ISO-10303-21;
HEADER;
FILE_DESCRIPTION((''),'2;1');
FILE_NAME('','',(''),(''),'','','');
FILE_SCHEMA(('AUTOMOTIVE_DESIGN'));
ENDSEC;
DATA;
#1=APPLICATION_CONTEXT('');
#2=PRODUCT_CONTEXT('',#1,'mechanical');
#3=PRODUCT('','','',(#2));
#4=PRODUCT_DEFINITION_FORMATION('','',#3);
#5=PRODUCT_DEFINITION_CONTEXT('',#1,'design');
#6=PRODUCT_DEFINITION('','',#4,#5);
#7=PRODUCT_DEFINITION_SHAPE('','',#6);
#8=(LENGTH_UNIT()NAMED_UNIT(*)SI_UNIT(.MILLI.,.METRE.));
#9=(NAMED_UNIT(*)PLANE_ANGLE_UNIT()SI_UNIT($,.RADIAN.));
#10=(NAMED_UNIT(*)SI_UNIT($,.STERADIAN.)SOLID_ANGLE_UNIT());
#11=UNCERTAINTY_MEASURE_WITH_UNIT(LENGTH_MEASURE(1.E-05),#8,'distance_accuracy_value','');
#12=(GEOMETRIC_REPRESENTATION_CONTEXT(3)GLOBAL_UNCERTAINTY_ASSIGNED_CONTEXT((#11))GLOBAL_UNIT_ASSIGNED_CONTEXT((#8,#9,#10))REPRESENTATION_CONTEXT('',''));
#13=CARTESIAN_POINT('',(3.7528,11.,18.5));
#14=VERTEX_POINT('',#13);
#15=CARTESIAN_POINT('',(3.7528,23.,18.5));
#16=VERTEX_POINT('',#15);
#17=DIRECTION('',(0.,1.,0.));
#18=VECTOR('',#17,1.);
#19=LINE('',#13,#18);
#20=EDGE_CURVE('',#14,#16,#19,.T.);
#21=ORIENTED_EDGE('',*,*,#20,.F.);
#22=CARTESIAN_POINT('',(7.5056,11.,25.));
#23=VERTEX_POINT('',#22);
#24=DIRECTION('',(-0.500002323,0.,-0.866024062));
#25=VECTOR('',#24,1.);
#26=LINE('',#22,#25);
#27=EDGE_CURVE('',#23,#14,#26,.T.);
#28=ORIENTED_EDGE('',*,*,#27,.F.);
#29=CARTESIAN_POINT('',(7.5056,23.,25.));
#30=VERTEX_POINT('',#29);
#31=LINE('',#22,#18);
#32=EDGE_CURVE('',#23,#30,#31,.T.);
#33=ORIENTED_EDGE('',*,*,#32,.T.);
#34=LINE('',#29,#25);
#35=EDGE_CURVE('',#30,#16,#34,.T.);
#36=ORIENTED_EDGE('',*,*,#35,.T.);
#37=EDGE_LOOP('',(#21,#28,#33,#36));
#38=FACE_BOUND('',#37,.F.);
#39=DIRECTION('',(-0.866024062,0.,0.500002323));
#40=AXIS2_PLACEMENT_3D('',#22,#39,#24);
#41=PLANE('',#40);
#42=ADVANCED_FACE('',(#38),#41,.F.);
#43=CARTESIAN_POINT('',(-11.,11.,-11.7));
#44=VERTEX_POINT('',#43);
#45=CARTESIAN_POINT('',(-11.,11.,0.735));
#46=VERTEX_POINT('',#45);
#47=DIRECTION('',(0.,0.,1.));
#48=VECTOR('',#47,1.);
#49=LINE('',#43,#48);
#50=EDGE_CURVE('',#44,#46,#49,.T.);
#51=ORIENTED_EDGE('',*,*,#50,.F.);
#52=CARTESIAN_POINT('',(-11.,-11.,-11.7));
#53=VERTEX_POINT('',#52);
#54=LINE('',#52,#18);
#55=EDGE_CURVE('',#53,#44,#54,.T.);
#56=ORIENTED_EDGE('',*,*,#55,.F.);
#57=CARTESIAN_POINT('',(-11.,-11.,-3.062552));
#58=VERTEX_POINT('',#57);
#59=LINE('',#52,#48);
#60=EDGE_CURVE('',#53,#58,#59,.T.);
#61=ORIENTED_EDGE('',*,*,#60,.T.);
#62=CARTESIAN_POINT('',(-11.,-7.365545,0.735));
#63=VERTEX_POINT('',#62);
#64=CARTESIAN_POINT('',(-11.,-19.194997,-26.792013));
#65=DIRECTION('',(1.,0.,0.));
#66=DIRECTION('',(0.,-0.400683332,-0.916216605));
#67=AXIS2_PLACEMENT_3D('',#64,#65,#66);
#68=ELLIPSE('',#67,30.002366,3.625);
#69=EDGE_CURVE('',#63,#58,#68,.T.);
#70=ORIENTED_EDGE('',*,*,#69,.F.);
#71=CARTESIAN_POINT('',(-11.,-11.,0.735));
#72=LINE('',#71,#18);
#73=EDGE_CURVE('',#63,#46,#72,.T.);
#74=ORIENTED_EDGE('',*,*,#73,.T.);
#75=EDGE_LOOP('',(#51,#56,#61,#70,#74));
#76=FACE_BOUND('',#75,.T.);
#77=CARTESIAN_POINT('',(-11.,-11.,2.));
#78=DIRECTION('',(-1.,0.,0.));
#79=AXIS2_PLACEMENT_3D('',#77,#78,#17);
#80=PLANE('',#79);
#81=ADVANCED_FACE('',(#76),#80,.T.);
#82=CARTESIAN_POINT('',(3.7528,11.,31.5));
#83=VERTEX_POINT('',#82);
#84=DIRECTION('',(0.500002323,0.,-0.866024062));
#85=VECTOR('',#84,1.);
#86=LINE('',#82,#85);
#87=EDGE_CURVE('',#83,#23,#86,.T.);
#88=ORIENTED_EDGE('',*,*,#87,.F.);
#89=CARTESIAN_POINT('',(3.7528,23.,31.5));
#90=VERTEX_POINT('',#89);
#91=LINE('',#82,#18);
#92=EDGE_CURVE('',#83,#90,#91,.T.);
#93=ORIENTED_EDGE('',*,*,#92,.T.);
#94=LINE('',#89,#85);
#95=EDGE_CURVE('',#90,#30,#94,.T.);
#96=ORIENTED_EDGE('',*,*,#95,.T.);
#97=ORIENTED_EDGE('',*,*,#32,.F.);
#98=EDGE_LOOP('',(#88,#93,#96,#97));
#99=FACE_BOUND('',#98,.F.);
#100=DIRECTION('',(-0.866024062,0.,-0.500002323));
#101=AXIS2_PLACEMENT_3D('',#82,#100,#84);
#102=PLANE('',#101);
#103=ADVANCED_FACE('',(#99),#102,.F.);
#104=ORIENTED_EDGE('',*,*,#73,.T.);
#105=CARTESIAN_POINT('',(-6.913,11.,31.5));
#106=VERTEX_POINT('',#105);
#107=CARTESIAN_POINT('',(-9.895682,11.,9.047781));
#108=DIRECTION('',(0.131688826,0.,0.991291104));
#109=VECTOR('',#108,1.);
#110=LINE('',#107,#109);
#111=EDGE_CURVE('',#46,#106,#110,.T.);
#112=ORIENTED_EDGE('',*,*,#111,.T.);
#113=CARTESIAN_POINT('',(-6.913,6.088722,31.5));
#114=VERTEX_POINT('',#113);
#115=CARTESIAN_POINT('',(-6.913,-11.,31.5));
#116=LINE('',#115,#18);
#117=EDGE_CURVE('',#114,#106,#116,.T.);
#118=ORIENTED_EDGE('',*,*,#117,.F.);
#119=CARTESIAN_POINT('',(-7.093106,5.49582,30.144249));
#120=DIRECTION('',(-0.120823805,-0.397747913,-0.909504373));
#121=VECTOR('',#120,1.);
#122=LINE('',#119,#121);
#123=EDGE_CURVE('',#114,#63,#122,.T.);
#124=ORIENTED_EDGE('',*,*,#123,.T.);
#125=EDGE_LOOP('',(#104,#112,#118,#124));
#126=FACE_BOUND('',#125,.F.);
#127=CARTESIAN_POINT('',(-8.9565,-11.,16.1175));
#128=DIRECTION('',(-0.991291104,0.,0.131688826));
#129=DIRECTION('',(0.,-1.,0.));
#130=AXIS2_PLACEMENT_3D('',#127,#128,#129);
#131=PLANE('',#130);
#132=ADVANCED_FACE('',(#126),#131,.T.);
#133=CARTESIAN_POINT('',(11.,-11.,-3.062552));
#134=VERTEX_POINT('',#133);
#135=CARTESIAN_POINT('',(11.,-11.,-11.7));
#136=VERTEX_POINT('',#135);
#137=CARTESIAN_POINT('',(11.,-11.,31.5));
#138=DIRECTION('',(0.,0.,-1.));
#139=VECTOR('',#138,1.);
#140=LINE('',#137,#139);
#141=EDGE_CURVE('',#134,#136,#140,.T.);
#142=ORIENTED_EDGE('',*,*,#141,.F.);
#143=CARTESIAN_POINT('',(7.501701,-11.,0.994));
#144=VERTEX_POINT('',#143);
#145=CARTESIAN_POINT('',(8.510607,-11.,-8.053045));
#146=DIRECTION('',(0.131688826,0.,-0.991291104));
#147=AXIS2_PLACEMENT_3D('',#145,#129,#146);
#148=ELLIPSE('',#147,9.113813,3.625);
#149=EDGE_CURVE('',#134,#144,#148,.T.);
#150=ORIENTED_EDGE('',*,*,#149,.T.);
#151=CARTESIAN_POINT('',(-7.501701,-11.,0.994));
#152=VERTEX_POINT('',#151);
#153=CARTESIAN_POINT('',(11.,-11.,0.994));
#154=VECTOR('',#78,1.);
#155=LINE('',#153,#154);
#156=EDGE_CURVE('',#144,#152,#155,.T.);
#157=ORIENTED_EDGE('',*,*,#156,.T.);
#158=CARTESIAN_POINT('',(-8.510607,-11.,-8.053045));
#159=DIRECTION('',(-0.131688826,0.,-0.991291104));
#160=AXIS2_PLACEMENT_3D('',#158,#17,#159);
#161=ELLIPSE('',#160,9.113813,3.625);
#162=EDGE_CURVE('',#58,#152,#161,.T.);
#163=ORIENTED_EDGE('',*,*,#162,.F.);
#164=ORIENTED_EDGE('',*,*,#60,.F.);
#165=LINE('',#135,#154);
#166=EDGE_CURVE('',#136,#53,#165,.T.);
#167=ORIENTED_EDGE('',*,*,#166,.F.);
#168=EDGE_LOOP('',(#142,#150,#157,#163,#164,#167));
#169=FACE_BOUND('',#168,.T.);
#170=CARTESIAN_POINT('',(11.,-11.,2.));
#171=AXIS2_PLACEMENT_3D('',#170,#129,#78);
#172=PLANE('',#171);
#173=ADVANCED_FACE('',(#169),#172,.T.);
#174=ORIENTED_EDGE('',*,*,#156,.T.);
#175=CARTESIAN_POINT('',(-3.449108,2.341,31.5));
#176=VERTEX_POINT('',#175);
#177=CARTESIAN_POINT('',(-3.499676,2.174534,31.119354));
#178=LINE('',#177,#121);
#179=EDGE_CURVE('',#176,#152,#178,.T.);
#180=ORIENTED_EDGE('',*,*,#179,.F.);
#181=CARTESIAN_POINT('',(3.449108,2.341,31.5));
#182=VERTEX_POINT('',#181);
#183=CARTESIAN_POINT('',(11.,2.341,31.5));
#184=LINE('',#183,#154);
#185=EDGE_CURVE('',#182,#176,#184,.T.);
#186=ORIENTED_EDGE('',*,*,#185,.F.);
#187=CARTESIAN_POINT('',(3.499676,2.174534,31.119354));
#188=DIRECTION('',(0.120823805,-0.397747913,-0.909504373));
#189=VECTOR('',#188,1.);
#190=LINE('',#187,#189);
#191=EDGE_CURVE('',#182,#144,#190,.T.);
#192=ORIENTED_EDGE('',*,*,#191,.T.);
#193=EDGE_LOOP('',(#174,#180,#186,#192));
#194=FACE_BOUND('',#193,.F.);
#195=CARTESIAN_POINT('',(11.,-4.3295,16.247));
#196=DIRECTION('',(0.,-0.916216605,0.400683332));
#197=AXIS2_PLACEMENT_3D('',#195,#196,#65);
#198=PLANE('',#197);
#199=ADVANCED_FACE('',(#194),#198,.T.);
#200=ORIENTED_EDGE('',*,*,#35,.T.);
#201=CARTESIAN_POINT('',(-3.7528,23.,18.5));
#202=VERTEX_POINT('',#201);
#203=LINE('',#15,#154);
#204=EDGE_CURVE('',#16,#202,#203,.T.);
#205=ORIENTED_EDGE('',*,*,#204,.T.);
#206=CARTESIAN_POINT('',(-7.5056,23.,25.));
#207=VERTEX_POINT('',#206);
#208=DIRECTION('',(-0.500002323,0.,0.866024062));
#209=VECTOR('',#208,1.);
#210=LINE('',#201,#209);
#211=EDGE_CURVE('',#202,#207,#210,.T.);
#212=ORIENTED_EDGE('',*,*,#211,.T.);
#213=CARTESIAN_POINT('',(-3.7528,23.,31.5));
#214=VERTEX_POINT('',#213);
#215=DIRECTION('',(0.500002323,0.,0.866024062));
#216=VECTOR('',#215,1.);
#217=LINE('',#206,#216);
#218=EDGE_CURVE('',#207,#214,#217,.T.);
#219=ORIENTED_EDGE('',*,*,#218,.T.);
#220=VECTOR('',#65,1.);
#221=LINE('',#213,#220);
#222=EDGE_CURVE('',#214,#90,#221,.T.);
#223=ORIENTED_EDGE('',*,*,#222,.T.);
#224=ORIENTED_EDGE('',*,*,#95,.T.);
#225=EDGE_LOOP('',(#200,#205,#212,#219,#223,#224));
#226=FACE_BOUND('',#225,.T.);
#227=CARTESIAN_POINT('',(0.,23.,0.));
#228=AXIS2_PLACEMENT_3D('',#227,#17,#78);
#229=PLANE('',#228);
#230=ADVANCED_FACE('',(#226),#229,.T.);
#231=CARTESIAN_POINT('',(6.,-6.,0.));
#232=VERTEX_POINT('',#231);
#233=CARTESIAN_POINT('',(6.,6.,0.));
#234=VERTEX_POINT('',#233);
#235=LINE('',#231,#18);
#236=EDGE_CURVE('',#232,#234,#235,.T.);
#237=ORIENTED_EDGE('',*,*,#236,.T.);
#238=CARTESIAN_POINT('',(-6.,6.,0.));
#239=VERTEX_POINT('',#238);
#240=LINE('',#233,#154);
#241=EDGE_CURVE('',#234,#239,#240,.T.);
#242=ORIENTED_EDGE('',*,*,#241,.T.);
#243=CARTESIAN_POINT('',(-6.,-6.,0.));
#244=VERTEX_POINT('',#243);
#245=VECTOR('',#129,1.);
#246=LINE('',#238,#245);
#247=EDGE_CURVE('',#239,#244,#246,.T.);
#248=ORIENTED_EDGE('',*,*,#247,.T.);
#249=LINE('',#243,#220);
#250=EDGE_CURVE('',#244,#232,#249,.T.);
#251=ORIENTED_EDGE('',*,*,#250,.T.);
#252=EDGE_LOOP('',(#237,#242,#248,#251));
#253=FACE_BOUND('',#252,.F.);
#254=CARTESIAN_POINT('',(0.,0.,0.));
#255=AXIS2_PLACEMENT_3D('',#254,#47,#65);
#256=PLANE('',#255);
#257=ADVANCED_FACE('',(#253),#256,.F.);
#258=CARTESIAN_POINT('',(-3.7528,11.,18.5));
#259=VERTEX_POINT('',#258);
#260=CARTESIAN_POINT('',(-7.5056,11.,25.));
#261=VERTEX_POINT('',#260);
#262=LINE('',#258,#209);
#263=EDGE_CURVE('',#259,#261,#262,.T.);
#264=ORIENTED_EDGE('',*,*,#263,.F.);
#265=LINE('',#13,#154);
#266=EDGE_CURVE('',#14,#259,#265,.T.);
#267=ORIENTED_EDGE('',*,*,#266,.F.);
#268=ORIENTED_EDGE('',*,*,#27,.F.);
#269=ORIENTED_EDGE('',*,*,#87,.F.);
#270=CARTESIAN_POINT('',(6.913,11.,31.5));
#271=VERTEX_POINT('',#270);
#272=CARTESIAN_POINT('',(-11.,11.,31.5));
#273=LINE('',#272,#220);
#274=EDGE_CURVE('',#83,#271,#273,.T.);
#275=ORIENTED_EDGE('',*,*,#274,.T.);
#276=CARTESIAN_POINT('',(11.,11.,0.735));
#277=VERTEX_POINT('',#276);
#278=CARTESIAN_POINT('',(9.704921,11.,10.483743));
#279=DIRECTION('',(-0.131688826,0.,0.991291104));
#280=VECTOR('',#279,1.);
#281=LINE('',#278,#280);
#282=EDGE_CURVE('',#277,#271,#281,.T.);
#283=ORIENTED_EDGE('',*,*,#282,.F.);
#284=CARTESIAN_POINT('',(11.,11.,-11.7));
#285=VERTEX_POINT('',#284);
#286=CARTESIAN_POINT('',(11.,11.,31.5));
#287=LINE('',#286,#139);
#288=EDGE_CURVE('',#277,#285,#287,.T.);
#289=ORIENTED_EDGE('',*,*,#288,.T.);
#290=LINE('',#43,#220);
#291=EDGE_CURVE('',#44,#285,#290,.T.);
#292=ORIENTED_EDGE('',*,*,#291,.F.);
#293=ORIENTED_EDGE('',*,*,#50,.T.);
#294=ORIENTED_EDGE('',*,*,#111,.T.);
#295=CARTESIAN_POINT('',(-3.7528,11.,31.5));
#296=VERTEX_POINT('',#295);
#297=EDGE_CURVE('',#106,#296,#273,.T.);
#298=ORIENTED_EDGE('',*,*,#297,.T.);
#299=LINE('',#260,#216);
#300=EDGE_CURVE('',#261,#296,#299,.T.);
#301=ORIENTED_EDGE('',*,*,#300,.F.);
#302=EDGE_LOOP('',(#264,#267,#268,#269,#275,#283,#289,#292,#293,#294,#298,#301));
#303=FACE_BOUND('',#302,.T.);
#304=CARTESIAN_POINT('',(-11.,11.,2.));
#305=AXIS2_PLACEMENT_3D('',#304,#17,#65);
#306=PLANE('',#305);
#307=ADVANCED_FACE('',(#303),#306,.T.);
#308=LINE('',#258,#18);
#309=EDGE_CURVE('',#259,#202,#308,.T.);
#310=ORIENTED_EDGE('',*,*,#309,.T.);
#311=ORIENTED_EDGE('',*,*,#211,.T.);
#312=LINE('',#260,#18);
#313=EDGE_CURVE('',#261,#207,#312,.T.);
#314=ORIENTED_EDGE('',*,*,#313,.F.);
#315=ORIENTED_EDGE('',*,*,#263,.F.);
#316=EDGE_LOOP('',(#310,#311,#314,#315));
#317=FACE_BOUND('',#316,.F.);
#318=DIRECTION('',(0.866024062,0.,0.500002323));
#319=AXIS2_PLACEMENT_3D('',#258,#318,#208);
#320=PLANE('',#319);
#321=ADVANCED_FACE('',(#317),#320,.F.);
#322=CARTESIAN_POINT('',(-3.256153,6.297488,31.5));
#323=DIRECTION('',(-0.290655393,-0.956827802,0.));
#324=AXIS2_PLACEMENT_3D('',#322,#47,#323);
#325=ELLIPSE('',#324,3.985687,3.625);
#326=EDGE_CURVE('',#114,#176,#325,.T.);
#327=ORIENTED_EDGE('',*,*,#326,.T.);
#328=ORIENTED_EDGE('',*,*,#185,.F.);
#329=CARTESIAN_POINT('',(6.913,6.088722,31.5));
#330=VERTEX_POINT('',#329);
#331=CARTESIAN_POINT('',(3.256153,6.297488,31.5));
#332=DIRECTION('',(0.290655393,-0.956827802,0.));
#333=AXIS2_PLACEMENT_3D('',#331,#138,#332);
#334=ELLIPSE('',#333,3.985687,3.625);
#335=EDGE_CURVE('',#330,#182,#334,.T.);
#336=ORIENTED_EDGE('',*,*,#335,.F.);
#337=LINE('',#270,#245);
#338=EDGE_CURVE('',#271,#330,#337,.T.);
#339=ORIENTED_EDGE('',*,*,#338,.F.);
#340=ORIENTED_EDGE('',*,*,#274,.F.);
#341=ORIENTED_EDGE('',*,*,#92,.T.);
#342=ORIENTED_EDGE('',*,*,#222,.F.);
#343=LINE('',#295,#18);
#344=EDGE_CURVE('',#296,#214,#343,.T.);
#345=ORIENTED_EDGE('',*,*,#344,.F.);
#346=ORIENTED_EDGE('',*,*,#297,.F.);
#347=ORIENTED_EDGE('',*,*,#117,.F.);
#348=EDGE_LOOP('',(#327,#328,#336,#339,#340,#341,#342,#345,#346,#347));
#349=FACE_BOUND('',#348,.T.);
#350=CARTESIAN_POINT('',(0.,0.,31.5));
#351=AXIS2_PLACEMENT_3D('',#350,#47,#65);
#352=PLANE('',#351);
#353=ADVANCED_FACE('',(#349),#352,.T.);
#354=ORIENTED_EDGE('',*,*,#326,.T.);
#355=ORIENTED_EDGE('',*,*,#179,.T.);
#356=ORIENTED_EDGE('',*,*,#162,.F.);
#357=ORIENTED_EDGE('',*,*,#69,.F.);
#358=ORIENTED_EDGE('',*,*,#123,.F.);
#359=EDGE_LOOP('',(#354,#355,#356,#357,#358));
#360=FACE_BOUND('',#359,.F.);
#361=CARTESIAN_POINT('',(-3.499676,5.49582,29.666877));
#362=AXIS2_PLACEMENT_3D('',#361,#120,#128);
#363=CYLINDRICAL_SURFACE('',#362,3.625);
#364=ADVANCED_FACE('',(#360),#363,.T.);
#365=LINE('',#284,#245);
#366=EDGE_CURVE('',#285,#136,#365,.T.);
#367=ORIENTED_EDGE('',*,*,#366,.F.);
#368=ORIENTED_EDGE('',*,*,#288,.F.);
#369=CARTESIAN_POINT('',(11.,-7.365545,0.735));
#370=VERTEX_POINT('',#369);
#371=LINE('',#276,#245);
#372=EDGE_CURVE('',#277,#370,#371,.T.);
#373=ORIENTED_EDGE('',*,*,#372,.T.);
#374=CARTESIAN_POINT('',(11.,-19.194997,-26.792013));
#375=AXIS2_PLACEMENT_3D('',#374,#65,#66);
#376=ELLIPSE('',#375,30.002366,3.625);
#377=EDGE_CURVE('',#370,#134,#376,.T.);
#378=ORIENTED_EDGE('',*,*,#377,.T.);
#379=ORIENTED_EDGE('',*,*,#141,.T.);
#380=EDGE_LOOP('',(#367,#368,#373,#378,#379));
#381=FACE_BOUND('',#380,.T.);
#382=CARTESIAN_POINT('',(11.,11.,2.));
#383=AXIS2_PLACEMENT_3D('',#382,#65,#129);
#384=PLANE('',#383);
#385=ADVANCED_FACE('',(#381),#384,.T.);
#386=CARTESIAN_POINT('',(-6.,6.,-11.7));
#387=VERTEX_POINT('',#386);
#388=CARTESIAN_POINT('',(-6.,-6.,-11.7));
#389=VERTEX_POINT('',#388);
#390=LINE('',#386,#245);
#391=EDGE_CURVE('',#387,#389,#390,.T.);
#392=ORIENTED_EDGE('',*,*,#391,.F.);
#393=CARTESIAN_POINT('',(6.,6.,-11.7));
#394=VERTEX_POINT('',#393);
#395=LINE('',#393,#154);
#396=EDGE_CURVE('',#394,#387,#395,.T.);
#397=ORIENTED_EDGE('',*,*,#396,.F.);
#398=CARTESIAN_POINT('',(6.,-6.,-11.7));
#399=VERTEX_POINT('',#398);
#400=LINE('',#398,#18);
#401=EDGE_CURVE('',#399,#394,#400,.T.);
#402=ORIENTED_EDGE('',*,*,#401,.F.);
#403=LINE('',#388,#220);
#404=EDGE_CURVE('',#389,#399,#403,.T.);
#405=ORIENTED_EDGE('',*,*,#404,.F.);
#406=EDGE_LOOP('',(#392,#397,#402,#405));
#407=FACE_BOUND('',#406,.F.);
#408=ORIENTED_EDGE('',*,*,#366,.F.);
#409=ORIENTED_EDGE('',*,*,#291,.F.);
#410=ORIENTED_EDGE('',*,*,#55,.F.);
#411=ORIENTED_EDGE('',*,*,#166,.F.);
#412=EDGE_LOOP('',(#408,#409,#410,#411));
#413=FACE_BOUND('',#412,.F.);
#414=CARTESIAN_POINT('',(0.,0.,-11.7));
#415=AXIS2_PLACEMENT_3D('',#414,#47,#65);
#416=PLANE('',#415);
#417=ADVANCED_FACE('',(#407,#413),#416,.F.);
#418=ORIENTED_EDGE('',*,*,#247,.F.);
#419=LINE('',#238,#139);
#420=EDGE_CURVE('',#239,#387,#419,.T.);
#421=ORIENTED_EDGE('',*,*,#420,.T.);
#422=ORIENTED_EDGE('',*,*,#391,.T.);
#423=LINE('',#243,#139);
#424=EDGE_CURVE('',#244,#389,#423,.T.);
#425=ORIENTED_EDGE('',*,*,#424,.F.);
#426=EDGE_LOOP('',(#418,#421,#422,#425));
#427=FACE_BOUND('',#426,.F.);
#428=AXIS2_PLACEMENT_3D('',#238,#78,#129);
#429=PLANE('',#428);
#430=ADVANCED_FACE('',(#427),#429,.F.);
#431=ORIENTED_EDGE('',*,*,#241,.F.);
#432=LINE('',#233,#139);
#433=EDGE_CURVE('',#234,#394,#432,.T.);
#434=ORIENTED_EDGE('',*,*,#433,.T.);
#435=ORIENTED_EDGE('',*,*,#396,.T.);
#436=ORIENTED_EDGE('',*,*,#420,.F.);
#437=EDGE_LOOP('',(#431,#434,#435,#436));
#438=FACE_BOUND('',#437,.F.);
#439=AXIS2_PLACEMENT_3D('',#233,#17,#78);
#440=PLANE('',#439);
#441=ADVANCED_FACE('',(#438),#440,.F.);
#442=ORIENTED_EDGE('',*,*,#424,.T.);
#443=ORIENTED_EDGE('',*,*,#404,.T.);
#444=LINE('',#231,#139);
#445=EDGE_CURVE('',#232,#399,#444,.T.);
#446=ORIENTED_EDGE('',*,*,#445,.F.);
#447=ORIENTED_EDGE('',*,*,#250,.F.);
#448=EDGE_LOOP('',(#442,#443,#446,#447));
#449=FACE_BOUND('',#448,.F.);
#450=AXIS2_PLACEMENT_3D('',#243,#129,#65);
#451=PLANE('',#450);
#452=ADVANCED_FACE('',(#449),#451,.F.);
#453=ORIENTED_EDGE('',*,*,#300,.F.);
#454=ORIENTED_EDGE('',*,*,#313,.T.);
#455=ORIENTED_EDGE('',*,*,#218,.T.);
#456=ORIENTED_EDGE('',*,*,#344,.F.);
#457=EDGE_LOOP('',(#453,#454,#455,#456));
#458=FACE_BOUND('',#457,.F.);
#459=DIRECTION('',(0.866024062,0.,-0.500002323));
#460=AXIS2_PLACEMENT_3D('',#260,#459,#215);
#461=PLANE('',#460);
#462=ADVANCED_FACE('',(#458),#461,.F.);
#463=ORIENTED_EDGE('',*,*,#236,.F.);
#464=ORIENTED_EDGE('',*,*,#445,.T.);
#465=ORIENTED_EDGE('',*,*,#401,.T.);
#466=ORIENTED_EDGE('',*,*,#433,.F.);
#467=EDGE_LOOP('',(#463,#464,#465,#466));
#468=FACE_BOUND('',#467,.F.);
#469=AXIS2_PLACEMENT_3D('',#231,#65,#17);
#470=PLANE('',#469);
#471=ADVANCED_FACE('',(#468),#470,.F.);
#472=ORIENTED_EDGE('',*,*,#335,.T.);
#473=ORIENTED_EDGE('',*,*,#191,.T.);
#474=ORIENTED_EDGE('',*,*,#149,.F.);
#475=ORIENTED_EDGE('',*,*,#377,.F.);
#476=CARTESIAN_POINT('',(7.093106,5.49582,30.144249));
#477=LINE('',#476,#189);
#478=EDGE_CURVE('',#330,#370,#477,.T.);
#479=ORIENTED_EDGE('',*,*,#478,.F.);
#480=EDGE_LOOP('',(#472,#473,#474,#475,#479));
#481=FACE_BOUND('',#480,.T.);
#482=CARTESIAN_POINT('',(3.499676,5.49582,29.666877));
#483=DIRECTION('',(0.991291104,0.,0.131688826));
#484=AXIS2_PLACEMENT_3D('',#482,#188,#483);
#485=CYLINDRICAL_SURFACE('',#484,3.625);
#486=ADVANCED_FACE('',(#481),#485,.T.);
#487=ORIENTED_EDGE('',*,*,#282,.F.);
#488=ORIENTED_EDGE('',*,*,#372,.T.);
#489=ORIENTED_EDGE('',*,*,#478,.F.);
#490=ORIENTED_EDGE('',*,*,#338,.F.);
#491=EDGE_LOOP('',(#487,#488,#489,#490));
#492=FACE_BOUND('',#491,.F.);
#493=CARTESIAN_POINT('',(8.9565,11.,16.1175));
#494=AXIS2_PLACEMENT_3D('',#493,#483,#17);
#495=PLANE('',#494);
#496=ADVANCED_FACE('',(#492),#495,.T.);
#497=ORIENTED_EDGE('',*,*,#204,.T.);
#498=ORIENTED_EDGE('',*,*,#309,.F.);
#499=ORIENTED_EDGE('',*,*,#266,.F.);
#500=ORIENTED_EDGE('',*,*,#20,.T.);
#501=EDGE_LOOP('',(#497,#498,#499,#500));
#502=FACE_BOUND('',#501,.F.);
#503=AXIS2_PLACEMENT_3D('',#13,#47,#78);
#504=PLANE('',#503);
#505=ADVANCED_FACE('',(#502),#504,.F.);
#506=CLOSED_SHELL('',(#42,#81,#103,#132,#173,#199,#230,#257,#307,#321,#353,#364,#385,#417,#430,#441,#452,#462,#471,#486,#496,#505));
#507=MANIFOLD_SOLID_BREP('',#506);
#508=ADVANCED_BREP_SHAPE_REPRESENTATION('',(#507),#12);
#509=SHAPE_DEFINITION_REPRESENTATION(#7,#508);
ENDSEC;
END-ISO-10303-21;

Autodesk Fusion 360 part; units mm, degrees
sketch "Sketch1" plane through (0, 0, 0) normal (0, 0, 1) x (1, 0, 0)
  line L0 (6, 6) -> (-6, 6)
  line L1 (-6, 6) -> (-6, -6)
  line L2 (-6, -6) -> (6, -6)
  line L3 (6, -6) -> (6, 6)
  line L4 (6, 6) -> (-6, -6) construction
  line L5 (-6, 6) -> (6, -6) construction
  line L6 (-11, 11) -> (11, 11)
  line L7 (11, 11) -> (11, -11)
  line L8 (11, -11) -> (-11, -11)
  line L9 (-11, -11) -> (-11, 11)
  line L10 (-11, 11) -> (11, -11) construction
  line L11 (11, 11) -> (-11, -11) construction
  dimension "d1" = 12
  dimension "d2" = 12
  dimension "d3" = 5
extrude "Extrude1" add sketch "Sketch1" against normal blind 11.7 makes body 1
extrude "Extrude2" add sketch "Sketch1" along normal blind 2 contours L0 L1 L2 L3 | L6 L7 L8 L9 bodies 1
ref_plane "WorkPlane2" through (0, 11, 2) normal (0, 1, 0) x (-1, 0, 0)
sketch "Sketch3" plane through (0, 11, 0) normal (0, 1, 0) x (-1, 0, 0)
  line L0 (-3.7528, 31.5) -> (-7.5056, 25)
  line L1 (-7.5056, 25) -> (-3.7528, 18.5)
  line L2 (-3.7528, 18.5) -> (3.7528, 18.5)
  line L3 (3.7528, 18.5) -> (7.5056, 25)
  line L4 (7.5056, 25) -> (3.7528, 31.5)
  line L5 (3.7528, 31.5) -> (-3.7528, 31.5)
  line L6 (-11, 2) -> (11, 2)
  point P0 (0, 25)
  dimension "d10" = 13
  dimension "d19" = 16.5
extrude "Extrude4" add sketch "Sketch3" along normal blind 12 separate body makes body 2
extrude "Extrude7" add 1 faces at (-3.6667, 3.6667, 2) along direction (0, 0, 1) up to surface (29.5 mm away) on bodies 1 bodies 1 2
chamfer "Chamfer2" distance 30.765 distance2 4.087 2 edges at (11, 0, 31.5) (-11, 0, 31.5) measured on face at (11, 3.6667, 2.7) measured on face at (-11, -3.6667, 17.1) on bodies 1
chamfer "Chamfer2" distance 30.506 distance2 13.341 1 edges at (0, -11, 31.5) measured on face at (3.6667, -11, 2.7) on bodies 1
fillet "Fillet2" radius 3.625 2 edges at (8.9393, -4.3295, 16.247) (-8.9393, -4.3295, 16.247) on bodies 1
equation "d19 = ( ( 27 / 2 ) * 1 mm ) + 3 mm"
